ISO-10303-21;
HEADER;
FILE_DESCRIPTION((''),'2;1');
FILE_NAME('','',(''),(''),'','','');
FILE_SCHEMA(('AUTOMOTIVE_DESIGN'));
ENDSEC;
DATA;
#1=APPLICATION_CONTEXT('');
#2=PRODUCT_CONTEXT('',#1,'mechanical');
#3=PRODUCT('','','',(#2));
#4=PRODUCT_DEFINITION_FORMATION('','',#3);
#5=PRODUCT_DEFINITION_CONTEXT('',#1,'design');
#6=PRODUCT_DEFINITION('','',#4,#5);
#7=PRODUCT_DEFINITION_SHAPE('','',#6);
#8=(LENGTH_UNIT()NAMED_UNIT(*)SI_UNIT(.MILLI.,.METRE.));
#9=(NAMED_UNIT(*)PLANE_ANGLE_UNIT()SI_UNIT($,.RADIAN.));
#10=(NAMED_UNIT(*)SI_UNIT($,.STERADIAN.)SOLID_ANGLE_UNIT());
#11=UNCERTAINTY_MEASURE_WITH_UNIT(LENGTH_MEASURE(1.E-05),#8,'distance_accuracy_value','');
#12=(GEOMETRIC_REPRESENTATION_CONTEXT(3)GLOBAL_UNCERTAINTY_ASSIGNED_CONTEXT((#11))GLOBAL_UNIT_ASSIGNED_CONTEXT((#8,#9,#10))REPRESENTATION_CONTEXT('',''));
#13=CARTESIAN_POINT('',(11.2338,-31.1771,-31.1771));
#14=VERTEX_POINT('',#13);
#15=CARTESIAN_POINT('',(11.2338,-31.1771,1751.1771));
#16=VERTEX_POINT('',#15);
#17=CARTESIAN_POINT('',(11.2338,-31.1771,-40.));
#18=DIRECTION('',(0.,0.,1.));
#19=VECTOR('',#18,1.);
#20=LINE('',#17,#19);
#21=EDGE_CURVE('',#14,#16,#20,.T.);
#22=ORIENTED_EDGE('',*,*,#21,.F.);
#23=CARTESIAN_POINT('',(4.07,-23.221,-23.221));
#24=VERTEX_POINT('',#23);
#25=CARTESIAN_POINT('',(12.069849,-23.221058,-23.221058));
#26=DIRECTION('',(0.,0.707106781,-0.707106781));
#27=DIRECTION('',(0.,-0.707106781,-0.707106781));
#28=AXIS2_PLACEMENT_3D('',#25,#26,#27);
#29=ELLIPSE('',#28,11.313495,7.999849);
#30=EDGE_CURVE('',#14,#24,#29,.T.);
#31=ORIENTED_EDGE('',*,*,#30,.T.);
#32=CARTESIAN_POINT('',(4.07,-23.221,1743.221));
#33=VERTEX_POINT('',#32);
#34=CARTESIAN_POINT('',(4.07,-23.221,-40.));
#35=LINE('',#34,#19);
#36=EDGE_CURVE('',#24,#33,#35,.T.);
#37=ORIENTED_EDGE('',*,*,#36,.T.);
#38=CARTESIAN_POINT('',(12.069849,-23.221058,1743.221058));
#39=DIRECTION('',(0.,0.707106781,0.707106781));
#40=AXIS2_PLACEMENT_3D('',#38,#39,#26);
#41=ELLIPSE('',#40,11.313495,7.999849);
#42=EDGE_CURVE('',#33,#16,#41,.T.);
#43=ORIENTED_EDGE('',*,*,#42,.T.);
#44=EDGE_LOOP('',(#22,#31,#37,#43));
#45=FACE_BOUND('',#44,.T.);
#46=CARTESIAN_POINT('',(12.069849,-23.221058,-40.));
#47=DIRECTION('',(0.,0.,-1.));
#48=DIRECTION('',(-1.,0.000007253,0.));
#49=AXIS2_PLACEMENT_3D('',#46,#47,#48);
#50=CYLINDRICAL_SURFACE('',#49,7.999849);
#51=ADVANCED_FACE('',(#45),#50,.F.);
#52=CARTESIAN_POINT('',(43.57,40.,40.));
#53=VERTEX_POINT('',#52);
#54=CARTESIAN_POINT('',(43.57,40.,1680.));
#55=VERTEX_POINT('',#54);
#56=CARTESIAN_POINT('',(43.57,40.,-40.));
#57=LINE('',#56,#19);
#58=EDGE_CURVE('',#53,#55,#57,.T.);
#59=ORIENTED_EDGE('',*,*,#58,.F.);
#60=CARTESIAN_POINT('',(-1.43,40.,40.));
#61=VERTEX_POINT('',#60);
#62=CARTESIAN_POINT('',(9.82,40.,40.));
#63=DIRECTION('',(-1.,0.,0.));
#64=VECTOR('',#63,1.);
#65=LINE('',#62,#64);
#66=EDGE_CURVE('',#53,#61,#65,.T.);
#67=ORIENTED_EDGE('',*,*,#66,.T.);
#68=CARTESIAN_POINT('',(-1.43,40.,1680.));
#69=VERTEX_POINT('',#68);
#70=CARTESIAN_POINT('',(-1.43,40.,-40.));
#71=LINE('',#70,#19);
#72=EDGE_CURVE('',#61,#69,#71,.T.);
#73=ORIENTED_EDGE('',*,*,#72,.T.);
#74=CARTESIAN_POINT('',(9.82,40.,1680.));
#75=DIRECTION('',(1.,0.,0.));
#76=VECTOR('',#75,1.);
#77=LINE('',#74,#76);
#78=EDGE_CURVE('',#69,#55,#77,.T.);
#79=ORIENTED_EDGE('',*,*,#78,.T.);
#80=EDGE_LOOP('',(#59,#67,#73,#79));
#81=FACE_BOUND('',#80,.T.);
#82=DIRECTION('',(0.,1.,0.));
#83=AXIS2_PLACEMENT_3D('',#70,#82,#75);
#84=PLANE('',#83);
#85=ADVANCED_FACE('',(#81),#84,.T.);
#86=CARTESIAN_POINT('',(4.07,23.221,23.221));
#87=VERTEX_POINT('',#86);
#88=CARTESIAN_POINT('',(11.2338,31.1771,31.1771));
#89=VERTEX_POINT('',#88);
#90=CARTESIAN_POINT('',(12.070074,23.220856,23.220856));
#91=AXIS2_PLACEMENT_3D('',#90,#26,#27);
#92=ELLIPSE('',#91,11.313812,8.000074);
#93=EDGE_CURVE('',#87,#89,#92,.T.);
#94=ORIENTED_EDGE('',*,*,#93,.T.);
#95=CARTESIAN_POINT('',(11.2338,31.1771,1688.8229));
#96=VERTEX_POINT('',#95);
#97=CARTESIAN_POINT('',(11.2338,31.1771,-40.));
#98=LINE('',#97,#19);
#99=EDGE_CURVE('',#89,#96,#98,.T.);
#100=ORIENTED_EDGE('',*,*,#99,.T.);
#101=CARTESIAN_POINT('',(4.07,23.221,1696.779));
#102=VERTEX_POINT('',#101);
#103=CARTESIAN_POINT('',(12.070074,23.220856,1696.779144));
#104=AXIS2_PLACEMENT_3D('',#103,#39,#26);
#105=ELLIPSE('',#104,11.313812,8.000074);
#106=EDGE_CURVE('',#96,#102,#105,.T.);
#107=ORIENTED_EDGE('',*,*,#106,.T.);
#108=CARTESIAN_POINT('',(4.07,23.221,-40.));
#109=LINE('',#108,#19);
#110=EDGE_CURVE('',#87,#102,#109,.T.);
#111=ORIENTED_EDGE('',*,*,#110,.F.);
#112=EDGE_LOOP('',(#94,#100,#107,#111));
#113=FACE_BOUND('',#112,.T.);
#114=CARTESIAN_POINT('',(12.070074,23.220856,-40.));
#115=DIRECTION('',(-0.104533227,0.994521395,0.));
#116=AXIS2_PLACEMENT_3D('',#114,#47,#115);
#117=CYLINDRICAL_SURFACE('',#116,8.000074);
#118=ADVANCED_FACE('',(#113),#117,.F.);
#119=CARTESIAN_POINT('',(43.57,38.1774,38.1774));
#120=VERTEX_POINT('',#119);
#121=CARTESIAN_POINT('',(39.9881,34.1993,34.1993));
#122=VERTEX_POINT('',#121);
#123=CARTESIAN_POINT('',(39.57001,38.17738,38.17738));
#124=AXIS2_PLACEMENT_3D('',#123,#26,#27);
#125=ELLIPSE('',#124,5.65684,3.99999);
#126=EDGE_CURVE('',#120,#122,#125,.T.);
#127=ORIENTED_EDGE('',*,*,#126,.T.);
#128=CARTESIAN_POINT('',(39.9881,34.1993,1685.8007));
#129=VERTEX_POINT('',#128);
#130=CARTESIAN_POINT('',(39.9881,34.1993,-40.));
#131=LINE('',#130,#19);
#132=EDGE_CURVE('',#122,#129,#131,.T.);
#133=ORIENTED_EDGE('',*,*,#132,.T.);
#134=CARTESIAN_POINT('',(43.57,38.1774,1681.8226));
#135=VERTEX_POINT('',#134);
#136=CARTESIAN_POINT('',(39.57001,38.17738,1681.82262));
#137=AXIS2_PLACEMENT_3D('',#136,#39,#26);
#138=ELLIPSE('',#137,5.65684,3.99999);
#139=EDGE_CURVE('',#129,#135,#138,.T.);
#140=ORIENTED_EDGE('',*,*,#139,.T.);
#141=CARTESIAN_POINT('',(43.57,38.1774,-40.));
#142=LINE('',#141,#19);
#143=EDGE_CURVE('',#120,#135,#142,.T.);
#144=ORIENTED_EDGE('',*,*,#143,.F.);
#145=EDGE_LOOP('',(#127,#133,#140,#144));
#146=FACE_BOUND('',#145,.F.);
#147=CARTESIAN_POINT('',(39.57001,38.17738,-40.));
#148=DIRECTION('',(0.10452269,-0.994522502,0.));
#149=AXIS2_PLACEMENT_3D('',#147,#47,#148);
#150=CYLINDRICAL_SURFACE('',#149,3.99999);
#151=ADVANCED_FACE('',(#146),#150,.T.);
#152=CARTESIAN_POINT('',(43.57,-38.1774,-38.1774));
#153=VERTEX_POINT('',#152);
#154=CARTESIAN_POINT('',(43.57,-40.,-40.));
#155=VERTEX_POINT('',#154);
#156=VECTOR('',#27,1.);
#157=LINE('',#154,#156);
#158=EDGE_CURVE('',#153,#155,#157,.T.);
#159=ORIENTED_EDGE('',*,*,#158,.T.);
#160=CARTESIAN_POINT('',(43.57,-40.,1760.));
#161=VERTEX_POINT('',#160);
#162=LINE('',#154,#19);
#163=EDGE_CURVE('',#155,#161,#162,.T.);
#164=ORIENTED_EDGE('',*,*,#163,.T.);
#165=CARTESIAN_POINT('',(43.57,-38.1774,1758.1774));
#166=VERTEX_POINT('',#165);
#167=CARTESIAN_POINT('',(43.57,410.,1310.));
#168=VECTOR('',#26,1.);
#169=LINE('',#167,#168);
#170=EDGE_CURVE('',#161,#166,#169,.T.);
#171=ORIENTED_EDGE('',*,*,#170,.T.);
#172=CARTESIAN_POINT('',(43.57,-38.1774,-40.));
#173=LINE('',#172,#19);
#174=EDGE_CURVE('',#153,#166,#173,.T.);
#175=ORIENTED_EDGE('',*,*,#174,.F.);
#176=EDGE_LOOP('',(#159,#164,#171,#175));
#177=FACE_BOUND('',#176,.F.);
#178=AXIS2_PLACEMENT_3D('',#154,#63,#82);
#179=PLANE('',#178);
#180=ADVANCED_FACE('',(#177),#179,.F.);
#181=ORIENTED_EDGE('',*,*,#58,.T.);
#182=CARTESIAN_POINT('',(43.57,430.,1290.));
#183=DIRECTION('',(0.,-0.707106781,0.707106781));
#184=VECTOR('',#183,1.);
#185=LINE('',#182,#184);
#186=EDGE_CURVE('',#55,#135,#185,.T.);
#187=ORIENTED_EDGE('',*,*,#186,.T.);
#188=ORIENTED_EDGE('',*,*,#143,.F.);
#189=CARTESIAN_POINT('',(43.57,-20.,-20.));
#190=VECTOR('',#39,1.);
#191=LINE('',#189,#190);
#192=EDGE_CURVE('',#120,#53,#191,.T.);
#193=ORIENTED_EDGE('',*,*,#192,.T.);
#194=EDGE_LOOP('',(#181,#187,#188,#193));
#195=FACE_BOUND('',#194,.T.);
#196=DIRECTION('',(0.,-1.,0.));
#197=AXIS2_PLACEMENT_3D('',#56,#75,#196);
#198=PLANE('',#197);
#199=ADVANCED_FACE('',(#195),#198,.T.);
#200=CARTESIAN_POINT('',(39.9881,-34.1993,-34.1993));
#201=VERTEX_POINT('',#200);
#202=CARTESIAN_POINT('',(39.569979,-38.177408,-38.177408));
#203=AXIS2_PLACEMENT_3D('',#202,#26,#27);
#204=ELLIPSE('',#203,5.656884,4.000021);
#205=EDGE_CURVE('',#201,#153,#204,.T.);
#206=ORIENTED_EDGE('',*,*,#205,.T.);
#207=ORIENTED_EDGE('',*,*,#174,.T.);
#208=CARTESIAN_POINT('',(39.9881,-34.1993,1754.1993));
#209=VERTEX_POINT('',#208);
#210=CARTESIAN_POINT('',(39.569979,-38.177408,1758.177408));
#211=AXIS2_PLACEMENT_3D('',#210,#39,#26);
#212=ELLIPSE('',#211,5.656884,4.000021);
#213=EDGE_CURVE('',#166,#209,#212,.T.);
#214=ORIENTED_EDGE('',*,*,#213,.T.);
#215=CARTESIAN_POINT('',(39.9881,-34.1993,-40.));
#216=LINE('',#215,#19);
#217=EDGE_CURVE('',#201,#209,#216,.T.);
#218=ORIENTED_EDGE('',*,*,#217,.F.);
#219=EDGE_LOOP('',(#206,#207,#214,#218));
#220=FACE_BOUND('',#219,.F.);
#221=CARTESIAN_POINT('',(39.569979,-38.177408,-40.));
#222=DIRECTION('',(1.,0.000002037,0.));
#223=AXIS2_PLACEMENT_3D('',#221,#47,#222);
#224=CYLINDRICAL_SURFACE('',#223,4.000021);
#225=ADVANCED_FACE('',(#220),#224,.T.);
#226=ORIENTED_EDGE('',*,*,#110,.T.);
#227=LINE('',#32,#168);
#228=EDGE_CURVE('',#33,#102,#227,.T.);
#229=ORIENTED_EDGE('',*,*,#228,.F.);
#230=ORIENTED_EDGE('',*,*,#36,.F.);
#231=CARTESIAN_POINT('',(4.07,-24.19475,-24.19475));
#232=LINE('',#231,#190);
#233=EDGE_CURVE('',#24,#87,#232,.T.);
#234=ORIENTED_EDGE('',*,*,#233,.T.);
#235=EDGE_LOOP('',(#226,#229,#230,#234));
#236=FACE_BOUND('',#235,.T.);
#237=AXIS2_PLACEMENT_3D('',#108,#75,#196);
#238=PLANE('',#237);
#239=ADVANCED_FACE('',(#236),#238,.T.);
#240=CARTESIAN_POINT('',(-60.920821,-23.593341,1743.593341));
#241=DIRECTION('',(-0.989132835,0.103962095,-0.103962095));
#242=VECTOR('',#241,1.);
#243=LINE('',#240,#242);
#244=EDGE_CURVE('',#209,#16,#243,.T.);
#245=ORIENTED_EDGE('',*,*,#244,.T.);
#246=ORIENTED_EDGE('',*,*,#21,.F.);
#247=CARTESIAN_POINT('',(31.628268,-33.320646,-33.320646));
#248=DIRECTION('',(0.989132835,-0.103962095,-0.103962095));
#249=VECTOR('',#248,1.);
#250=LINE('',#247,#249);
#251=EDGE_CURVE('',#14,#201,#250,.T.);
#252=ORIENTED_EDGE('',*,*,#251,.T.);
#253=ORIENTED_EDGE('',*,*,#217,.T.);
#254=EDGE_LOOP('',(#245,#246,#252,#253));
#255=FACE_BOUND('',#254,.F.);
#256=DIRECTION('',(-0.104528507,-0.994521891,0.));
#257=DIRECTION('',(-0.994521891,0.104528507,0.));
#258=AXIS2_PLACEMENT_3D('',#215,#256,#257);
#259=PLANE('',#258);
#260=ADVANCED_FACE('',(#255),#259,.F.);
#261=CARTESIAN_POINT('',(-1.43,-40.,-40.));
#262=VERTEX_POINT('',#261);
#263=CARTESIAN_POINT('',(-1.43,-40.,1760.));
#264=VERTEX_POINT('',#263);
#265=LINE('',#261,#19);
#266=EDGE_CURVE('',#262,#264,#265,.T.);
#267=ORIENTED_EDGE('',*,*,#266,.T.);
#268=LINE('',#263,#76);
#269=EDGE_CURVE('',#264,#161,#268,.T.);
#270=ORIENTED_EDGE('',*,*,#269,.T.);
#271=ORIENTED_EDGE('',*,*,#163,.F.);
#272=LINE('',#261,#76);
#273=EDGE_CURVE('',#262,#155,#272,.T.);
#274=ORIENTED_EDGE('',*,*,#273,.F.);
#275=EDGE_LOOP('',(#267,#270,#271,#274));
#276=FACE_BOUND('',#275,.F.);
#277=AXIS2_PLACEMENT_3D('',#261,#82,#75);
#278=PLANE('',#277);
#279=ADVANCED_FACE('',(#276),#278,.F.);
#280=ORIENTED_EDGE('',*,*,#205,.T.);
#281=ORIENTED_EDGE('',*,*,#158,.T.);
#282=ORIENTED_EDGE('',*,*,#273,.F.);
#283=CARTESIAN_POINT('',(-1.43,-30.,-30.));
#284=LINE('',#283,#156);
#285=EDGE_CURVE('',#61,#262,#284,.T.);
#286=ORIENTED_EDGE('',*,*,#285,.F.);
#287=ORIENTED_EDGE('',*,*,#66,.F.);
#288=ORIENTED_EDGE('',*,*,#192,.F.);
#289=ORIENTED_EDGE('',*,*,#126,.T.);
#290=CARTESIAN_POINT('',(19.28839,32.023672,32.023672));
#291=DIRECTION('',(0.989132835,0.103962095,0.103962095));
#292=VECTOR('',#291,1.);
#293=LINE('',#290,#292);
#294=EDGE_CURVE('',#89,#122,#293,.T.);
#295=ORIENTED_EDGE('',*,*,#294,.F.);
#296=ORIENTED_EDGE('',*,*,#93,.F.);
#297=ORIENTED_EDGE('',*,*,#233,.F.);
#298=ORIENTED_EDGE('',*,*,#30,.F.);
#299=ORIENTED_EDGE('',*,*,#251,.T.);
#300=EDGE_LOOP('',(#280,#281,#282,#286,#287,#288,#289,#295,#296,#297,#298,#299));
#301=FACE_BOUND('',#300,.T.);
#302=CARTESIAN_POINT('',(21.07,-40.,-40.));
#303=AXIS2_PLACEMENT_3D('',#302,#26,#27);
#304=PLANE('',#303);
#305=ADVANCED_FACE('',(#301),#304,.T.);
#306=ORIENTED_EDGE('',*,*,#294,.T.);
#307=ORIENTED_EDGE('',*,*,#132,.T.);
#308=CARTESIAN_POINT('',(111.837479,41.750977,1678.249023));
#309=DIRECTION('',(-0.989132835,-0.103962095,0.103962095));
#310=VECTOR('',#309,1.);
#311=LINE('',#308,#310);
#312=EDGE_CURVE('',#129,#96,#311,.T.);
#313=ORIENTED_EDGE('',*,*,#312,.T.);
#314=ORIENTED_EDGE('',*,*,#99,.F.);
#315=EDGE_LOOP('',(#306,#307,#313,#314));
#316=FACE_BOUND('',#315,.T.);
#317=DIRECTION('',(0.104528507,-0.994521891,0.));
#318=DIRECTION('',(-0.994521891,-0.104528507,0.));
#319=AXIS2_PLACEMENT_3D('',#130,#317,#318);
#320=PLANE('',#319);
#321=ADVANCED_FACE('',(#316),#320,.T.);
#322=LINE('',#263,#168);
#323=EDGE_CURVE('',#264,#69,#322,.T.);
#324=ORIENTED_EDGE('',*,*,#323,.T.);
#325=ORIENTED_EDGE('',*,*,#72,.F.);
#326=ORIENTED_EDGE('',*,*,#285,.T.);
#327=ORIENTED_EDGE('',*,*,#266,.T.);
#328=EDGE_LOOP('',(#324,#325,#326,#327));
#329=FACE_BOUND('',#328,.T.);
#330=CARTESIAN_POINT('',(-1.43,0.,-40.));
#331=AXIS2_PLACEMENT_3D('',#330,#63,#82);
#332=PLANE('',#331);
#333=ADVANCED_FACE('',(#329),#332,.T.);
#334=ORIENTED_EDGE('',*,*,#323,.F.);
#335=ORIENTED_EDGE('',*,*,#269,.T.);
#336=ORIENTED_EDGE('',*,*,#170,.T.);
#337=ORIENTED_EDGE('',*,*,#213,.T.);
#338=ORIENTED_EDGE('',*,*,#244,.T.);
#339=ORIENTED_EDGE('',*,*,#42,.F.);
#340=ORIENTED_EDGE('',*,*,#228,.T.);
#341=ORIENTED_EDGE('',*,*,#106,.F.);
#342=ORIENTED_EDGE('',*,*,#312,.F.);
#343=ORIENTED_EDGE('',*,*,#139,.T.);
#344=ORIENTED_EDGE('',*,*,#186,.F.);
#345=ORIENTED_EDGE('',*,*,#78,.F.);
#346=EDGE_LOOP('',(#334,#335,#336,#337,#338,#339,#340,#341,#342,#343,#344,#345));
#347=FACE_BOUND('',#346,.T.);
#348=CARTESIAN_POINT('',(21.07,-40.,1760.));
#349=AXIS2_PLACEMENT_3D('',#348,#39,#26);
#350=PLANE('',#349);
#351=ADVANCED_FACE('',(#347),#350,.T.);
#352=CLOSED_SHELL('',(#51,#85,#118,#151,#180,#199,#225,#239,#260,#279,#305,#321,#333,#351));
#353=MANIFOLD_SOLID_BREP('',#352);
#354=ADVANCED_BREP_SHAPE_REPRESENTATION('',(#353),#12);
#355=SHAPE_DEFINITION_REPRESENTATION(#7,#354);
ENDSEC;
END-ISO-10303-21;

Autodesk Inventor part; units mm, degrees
ref_plane "Начальная плоскость" through (0, 0, -40) normal (0, 0, 1) x (1, 0, 0)
ref_plane "Конечная плоскость" through (0, 0, 1760) normal (0, 0, 1) x (1, 0, 0)
sketch "Эскиз" plane through (0, 0, 0) normal (0, 0, 1) x (1, 0, 0)
  line L0 (-1.43, 0) -> (-1.43, 40)
  line L1 (-1.43, 40) -> (43.57, 40)
  line L2 (43.57, 40) -> (43.57, 38.1774)
  line L3 (39.9881, 34.1993) -> (11.2338, 31.1771)
  line L4 (4.07, 23.221) -> (4.07, 0)
  line L5 (4.07, 0) -> (-1.43, 0) construction
  line L6 (23.82, 40) -> (23.82, 32.5) construction
  line L7 (43.57, 34.5758) -> (43.57, 32.5) construction
  line L8 (43.57, 32.5) -> (23.82, 32.5) construction
  line L9 (0, 15) -> (0, -27) construction
  line L10 (-5.539, 0) -> (16.0067, 0) construction
  line L11 (-1.43, 0) -> (-1.43, -40)
  line L12 (-1.43, -40) -> (43.57, -40)
  line L13 (43.57, -40) -> (43.57, -38.1774)
  line L14 (39.9881, -34.1993) -> (11.2338, -31.1771)
  line L15 (4.07, -23.221) -> (4.07, 0)
  arc A0 (11.2338, 31.1771) -> (4.07, 23.221) centre (12.07, 23.221) ccw
  arc A1 (4.07, -23.221) -> (11.2338, -31.1771) centre (12.07, -23.221) ccw
  arc A2 (39.9881, 34.1993) -> (43.57, 38.1774) centre (39.57, 38.1774) ccw
  arc A3 (43.57, -38.1774) -> (39.9881, -34.1993) centre (39.57, -38.1774) ccw
  line L16 (0, 56) -> (0, -56) construction
  line L17 (-15.5135, 0) -> (54.308, 0) construction
  point P0 (4.07, 30.4242)
  point P1 (43.57, -34.5758)
  point P2 (4.07, -30.4242)
  point P3 (23.82, -40)
  point P4 (23.82, -32.5)
  dimension "d0" = 5.5
  dimension "d1" = 40
  dimension "d2" = 45
  dimension "d3" = 7.5
  dimension "d4" = 19.75
  dimension "d5" = 2.0758
  dimension "d23" = 8
  dimension "d24" = 4
  dimension "d25" = 1.43
extrude "Тело" add sketch "Эскиз" along normal up to surface (1800 mm away) from surface at -40
sketch "Sketch3" plane through (0, 0, 0) normal (0, 0, 1) x (1, 0, 0)
  line L0 (0, 0) -> (10, 0)
ref_plane "Work Plane3" through (0, 0, 0) normal (0, -1, 0) x (1, 0, 0)
sketch "Sketch4" plane through (0, 0, 0) normal (0, -1, 0) x (1, 0, 0)
  line L0 (-2, -40) -> (12, -40)
  line L1 (-2, 1760) -> (12, 1760)
  dimension "d29" = 1800
ref_plane "РабПлоскость4" through (21.07, -40, 1760) normal (0, 0.7071, 0.7071) x (1, 0, 0)
split "Разделение1" plane through (21.07, -40, 1760) removes the side toward (0, 0.7071, 0.7071)
ref_plane "РабПлоскость5" through (21.07, -40, -40) normal (0, 0.7071, -0.7071) x (1, 0, 0)
split "Разделение2" plane through (21.07, -40, -40) removes the side toward (0, 0.7071, -0.7071)
equation "\"d0\" = G_T"
equation "\"d1\" = 0.5 * G_H"
equation "\"d2\" = G_W"
equation "\"d3\" = G_T1"
equation "\"d4\" = G_C"
equation "\"d23\" = G_IR"
equation "\"d24\" = G_ER"
equation "\"d25\" = ex"
equation "\"d6\" = G_L"
equation "\"G_W\" = 45"
equation "\"G_T\" = 5.5"
equation "\"G_T1\" = 7.5"
equation "\"G_NG\" = 0.105104"
equation "\"G_ER\" = 4"
equation "\"G_IR\" = 8"
equation "\"G_C\" = 19.75"
equation "\"G_L\" = d29"
equation "\"ex\" = 1.43"
equation "\"G_H\" = 80"
properties part number "ISO 657/11 - CH 80 x 8 - 1800" material "Сталь, мягкая"
